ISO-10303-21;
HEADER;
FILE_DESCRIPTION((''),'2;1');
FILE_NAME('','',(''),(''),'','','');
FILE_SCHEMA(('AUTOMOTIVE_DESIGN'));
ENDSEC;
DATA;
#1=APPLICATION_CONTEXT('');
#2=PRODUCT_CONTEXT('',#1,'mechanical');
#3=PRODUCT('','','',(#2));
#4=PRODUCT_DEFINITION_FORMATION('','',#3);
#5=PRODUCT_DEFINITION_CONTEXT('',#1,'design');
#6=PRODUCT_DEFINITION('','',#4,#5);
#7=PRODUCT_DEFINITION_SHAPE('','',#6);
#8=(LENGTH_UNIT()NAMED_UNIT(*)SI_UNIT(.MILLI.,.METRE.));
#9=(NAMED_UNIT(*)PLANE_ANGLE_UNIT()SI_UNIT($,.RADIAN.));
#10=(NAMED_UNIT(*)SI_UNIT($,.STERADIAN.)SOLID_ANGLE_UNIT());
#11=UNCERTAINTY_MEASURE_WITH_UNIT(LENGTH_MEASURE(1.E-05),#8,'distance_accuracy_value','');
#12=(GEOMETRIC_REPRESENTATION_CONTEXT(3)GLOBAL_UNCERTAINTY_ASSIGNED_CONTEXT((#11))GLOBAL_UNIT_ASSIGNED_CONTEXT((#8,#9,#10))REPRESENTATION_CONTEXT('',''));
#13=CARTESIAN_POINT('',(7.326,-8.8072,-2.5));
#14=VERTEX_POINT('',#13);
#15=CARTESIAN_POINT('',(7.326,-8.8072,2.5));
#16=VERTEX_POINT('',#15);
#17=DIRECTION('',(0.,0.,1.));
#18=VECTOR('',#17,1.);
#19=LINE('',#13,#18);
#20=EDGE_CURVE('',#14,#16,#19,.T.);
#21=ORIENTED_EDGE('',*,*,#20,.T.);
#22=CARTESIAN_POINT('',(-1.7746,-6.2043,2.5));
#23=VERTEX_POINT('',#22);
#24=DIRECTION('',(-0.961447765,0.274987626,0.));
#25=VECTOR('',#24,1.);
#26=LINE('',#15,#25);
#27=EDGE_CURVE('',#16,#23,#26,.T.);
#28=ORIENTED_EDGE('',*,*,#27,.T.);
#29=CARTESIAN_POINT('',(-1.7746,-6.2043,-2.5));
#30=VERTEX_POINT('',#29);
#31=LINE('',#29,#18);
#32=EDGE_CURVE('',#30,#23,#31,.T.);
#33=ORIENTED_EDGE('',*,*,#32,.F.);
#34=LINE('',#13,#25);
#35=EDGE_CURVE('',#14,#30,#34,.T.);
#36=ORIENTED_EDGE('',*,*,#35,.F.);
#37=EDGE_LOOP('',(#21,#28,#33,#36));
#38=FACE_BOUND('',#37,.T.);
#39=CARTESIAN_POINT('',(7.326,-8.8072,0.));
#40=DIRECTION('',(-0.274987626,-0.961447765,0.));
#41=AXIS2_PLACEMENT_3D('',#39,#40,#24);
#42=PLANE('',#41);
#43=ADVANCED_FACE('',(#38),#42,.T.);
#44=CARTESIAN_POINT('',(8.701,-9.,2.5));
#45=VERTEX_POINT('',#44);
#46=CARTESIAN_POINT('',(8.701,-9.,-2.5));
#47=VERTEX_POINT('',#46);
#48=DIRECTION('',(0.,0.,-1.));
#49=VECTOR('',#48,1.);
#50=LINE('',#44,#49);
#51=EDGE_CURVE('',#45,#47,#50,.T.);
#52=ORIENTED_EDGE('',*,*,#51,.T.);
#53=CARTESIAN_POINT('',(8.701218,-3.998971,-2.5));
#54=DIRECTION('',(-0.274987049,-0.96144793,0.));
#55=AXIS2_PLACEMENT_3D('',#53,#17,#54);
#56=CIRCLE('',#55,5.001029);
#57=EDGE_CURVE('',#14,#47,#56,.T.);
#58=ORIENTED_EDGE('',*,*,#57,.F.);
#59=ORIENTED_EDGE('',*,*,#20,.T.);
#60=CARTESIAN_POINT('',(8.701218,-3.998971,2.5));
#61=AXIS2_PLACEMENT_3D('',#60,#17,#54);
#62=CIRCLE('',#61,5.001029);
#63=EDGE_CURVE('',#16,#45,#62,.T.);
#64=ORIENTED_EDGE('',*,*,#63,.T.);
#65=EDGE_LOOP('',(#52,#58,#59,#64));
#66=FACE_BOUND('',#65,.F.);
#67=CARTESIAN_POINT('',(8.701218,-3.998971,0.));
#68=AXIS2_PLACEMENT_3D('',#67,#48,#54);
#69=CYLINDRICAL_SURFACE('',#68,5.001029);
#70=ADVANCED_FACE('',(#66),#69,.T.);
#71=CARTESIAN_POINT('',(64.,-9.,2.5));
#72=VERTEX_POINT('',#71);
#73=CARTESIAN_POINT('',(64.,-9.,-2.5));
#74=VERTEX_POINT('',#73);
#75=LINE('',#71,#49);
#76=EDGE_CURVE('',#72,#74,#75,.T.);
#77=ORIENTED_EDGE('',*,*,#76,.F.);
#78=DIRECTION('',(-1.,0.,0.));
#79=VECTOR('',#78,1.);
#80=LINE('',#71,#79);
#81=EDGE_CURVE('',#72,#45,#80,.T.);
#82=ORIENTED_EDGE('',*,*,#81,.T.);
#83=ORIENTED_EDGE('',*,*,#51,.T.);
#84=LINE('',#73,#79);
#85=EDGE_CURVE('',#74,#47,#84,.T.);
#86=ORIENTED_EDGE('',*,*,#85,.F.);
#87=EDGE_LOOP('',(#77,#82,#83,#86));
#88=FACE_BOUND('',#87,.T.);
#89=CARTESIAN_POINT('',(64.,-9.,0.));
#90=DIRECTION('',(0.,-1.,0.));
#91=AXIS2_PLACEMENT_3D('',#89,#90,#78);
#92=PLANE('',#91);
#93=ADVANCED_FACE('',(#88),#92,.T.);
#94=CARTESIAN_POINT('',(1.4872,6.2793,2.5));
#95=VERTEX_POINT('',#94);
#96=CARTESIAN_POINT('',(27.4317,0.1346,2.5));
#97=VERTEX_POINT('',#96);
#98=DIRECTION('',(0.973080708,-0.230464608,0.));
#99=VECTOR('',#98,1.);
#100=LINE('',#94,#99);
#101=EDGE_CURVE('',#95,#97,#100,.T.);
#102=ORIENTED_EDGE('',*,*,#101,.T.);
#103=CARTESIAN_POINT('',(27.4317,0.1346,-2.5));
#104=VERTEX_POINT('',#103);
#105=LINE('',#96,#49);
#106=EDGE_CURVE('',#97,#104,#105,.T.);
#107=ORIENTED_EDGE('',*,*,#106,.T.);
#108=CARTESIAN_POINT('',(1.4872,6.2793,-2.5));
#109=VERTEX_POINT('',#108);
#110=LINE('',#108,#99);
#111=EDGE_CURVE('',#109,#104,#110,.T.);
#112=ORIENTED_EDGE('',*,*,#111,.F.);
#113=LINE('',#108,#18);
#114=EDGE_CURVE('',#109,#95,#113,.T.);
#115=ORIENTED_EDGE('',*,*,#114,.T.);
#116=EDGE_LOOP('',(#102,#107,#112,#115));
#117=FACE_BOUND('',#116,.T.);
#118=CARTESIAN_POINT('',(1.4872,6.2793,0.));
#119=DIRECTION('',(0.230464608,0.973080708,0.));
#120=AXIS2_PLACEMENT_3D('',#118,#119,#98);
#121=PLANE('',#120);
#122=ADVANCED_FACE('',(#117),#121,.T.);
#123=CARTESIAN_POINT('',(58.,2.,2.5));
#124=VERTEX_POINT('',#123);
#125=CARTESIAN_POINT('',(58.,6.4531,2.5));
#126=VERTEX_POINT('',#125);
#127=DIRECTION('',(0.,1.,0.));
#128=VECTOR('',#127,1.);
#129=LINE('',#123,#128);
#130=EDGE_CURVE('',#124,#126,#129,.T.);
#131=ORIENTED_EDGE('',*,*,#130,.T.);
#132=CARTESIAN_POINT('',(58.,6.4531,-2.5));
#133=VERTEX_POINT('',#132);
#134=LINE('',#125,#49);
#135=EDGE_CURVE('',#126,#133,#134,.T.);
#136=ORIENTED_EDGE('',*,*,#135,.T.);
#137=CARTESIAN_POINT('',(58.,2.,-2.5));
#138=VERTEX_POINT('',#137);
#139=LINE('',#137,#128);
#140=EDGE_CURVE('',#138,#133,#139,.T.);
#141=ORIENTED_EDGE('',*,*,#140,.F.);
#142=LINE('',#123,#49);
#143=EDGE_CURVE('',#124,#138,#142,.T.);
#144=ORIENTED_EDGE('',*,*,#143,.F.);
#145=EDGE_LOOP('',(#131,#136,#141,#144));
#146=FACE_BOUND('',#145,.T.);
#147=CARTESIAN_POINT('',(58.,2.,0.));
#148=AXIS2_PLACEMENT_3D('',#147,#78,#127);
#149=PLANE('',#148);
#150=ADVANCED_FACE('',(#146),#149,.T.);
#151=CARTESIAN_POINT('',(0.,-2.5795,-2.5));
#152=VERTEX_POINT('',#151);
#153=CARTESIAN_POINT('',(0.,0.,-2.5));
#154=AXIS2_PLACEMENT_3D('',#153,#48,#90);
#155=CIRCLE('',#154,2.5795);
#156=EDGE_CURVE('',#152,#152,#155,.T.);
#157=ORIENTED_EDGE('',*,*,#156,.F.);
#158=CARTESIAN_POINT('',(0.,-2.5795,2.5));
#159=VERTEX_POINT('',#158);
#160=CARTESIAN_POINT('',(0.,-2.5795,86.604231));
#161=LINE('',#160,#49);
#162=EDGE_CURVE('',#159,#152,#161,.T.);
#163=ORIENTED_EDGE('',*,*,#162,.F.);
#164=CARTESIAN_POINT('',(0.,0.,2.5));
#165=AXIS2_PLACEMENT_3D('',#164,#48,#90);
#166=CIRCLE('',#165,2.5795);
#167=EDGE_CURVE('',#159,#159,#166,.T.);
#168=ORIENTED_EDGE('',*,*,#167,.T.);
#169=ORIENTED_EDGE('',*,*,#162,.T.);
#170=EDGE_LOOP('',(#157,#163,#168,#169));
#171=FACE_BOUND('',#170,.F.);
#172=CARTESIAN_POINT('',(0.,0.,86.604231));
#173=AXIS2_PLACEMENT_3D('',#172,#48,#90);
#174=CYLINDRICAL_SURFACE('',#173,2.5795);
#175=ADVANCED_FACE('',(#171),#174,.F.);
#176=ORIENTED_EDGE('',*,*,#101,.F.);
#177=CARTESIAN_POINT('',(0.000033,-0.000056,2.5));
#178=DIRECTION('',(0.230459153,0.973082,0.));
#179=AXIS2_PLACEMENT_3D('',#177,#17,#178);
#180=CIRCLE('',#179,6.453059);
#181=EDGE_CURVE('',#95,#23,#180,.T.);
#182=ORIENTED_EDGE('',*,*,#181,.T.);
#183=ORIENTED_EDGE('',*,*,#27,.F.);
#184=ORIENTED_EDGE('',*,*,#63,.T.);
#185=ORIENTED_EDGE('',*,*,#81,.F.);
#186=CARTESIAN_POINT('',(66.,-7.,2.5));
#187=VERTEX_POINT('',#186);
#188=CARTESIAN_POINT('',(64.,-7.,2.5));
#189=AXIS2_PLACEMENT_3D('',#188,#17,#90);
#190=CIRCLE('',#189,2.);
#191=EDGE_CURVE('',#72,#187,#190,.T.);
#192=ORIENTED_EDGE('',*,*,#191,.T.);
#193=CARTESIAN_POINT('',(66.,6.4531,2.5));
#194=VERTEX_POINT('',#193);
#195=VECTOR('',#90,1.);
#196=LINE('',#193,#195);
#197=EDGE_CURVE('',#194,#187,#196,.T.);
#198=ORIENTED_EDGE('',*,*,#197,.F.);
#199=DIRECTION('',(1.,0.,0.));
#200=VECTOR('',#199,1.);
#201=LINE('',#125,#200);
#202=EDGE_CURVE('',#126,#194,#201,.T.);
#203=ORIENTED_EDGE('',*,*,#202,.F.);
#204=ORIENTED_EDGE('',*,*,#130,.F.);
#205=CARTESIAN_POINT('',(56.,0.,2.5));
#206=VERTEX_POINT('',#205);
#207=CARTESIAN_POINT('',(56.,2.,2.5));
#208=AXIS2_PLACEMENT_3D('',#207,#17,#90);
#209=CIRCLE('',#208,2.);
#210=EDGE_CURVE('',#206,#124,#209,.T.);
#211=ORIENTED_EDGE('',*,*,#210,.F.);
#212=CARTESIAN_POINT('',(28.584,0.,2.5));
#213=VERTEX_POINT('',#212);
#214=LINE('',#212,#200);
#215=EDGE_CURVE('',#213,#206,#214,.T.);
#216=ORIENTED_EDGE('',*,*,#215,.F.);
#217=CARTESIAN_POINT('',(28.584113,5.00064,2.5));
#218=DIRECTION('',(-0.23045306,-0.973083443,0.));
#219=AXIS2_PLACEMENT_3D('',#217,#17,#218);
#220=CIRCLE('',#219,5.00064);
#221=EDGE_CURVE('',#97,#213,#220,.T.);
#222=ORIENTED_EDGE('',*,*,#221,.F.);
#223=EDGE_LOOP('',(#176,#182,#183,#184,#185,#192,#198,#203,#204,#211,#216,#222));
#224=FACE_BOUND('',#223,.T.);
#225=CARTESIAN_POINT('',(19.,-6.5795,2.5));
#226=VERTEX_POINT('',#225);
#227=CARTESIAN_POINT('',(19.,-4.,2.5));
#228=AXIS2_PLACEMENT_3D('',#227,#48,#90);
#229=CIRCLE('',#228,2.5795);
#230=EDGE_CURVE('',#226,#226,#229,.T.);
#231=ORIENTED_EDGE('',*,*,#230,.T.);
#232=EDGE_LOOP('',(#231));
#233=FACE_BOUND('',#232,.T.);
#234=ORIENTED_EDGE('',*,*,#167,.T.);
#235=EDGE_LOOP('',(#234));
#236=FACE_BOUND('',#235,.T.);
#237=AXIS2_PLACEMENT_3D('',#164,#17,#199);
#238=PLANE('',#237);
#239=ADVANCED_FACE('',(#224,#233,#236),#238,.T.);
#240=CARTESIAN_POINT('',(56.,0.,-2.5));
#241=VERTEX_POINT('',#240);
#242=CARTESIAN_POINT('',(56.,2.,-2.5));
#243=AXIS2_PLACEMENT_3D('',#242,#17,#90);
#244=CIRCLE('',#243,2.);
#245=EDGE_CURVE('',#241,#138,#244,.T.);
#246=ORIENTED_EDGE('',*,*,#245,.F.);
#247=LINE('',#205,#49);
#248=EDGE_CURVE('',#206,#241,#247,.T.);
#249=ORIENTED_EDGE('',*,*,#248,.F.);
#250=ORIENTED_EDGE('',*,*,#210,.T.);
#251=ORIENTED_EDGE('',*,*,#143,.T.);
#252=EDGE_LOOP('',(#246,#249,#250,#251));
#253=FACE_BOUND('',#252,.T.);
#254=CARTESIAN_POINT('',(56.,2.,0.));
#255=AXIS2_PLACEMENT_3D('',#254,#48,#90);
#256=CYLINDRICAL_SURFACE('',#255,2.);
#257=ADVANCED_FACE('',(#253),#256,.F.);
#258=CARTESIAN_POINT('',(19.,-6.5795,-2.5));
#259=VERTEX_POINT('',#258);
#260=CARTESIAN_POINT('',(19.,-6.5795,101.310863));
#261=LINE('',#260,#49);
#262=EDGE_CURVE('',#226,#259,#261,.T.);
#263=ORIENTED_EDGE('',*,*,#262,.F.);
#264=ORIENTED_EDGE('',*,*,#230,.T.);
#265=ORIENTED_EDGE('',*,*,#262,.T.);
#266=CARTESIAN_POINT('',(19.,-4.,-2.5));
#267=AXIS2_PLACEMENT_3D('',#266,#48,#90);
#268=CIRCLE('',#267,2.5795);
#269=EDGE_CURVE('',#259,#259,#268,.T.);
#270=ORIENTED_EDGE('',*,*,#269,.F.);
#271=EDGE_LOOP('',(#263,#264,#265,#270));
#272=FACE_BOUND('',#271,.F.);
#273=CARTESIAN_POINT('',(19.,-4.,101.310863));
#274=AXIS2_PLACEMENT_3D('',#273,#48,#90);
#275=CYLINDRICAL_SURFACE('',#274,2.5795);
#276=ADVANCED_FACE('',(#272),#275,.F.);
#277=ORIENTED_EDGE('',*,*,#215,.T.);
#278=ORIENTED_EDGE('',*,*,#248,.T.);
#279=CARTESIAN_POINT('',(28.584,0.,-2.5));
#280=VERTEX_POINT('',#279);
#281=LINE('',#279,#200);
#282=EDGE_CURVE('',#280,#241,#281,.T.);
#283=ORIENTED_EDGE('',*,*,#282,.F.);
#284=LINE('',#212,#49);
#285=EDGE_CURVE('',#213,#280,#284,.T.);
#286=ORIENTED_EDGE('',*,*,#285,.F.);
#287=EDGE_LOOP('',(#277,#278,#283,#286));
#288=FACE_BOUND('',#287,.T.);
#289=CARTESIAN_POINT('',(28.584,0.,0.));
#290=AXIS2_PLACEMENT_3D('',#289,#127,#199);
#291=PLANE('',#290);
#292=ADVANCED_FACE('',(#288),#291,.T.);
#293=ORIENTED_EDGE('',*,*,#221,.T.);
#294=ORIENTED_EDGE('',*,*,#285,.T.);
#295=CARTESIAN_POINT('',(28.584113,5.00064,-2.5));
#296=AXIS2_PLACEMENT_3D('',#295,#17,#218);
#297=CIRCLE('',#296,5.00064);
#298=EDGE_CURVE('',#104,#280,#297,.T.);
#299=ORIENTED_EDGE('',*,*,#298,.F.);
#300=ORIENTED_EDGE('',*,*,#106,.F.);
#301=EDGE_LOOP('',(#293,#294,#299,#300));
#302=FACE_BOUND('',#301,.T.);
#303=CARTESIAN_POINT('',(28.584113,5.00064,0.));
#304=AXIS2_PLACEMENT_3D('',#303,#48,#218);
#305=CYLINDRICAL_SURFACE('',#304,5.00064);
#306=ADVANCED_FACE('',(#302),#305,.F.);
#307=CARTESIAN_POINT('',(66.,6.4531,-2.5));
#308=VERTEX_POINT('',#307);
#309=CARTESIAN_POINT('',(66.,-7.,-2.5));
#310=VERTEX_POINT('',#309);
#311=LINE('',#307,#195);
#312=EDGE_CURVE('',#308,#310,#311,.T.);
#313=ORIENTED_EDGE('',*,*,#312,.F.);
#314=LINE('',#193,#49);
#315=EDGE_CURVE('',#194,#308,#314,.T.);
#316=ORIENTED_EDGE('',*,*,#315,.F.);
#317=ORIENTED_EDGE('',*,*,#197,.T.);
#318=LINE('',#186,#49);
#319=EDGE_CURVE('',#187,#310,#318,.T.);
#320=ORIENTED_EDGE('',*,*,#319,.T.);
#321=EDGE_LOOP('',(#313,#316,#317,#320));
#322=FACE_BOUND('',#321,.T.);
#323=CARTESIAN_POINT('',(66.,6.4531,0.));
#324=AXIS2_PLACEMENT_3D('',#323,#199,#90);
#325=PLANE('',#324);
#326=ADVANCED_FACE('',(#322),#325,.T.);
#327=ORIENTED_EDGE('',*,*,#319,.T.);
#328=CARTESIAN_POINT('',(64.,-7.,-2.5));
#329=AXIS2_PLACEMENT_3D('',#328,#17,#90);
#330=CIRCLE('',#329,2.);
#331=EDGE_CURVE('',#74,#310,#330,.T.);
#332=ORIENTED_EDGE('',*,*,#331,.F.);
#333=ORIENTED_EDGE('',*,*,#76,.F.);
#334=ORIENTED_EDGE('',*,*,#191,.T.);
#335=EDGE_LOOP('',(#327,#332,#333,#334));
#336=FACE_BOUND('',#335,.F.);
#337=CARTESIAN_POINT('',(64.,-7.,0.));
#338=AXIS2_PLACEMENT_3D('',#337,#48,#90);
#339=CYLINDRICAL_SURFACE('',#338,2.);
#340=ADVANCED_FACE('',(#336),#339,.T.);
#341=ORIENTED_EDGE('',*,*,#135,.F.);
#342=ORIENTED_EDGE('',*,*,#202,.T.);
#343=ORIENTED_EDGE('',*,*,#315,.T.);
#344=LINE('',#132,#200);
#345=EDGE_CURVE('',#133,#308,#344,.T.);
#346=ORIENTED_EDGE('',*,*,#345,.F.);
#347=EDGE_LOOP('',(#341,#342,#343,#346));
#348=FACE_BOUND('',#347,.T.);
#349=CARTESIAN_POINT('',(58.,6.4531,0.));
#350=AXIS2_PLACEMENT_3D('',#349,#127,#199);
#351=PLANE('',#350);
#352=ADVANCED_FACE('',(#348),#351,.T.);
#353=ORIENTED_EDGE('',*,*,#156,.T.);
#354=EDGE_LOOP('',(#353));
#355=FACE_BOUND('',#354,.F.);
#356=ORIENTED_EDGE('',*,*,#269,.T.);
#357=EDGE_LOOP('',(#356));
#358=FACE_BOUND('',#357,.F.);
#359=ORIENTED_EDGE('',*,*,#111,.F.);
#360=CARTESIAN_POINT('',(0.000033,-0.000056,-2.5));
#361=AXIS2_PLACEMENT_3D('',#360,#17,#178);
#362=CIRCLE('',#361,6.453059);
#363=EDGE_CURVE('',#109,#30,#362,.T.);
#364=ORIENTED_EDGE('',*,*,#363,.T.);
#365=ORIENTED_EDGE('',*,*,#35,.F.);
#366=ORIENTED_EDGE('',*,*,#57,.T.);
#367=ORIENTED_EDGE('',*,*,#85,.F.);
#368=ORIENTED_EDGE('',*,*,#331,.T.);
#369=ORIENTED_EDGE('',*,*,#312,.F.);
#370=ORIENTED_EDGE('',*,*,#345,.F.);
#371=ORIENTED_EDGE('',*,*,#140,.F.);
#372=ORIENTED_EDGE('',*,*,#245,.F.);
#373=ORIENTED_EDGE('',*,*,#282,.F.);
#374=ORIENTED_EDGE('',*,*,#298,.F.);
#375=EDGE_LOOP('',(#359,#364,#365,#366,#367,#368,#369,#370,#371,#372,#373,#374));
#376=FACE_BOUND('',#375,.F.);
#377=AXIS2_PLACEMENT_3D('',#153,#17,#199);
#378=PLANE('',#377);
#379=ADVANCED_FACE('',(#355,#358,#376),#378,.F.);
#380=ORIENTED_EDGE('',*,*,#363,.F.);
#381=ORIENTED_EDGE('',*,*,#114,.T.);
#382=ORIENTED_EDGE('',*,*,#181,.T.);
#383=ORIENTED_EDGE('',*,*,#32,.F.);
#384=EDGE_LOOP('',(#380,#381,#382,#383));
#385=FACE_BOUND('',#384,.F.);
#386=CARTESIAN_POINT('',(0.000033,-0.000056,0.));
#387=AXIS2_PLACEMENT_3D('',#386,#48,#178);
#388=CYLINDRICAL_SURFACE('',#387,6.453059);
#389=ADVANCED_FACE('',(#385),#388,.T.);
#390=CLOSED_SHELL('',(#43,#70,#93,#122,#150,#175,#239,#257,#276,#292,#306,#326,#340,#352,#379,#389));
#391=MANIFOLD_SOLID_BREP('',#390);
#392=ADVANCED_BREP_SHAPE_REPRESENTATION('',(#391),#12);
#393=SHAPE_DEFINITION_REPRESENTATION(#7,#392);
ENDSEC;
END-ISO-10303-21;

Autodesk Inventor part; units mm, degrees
ref_plane "YZ Plane" through (0, 0, 0) normal (1, 0, 0) x (0, 1, 0)
ref_plane "XZ Plane" through (0, 0, 0) normal (0, 1, 0) x (-1, 0, 0)
ref_plane "XY Plane" through (0, 0, 0) normal (0, 0, 1) x (1, 0, 0)
sketch "Sketch1" plane through (0, 0, 0) normal (0, 0, 1) x (1, 0, 0)
  line L0 (1.4872, 6.2793) -> (27.4317, 0.1346)
  line L1 (28.584, 0) -> (56, 0)
  line L2 (58, 2) -> (58, 6.4531)
  line L3 (58, 6.4531) -> (66, 6.4531)
  line L4 (66, 6.4531) -> (66, -7)
  line L5 (64, -9) -> (8.701, -9)
  line L6 (7.326, -8.8072) -> (-1.7746, -6.2043)
  arc A0 (1.4872, 6.2793) -> (-1.7746, -6.2043) centre (0, 0) ccw
  arc A1 (27.4317, 0.1346) -> (28.584, 0) centre (28.584, 5) ccw
  arc A2 (7.326, -8.8072) -> (8.701, -9) centre (8.701, -4) ccw
  arc A3 (56, 0) -> (58, 2) centre (56, 2) ccw
  arc A4 (64, -9) -> (66, -7) centre (64, -7) ccw
  point P0 (28, 0)
  point P1 (66, -9)
  point P2 (8, -9)
  point P3 (19, -4)
  dimension "d0" = 66
  dimension "d1" = 8
  dimension "d2" = 9
  dimension "d3" = 20
  dimension "d4" = 28
  dimension "d5" = 5
  dimension "d6" = 2
  dimension "d17" = 45
  dimension "d18" = 4
extrude "Extrusion1" add sketch "Sketch1" along normal mid plane 5
hole "Hole2" at (19, -4, 0) at (0, 0, 0) direction (0, 0, -1) diameter 5.159 end through all both
properties part number "tappy"
